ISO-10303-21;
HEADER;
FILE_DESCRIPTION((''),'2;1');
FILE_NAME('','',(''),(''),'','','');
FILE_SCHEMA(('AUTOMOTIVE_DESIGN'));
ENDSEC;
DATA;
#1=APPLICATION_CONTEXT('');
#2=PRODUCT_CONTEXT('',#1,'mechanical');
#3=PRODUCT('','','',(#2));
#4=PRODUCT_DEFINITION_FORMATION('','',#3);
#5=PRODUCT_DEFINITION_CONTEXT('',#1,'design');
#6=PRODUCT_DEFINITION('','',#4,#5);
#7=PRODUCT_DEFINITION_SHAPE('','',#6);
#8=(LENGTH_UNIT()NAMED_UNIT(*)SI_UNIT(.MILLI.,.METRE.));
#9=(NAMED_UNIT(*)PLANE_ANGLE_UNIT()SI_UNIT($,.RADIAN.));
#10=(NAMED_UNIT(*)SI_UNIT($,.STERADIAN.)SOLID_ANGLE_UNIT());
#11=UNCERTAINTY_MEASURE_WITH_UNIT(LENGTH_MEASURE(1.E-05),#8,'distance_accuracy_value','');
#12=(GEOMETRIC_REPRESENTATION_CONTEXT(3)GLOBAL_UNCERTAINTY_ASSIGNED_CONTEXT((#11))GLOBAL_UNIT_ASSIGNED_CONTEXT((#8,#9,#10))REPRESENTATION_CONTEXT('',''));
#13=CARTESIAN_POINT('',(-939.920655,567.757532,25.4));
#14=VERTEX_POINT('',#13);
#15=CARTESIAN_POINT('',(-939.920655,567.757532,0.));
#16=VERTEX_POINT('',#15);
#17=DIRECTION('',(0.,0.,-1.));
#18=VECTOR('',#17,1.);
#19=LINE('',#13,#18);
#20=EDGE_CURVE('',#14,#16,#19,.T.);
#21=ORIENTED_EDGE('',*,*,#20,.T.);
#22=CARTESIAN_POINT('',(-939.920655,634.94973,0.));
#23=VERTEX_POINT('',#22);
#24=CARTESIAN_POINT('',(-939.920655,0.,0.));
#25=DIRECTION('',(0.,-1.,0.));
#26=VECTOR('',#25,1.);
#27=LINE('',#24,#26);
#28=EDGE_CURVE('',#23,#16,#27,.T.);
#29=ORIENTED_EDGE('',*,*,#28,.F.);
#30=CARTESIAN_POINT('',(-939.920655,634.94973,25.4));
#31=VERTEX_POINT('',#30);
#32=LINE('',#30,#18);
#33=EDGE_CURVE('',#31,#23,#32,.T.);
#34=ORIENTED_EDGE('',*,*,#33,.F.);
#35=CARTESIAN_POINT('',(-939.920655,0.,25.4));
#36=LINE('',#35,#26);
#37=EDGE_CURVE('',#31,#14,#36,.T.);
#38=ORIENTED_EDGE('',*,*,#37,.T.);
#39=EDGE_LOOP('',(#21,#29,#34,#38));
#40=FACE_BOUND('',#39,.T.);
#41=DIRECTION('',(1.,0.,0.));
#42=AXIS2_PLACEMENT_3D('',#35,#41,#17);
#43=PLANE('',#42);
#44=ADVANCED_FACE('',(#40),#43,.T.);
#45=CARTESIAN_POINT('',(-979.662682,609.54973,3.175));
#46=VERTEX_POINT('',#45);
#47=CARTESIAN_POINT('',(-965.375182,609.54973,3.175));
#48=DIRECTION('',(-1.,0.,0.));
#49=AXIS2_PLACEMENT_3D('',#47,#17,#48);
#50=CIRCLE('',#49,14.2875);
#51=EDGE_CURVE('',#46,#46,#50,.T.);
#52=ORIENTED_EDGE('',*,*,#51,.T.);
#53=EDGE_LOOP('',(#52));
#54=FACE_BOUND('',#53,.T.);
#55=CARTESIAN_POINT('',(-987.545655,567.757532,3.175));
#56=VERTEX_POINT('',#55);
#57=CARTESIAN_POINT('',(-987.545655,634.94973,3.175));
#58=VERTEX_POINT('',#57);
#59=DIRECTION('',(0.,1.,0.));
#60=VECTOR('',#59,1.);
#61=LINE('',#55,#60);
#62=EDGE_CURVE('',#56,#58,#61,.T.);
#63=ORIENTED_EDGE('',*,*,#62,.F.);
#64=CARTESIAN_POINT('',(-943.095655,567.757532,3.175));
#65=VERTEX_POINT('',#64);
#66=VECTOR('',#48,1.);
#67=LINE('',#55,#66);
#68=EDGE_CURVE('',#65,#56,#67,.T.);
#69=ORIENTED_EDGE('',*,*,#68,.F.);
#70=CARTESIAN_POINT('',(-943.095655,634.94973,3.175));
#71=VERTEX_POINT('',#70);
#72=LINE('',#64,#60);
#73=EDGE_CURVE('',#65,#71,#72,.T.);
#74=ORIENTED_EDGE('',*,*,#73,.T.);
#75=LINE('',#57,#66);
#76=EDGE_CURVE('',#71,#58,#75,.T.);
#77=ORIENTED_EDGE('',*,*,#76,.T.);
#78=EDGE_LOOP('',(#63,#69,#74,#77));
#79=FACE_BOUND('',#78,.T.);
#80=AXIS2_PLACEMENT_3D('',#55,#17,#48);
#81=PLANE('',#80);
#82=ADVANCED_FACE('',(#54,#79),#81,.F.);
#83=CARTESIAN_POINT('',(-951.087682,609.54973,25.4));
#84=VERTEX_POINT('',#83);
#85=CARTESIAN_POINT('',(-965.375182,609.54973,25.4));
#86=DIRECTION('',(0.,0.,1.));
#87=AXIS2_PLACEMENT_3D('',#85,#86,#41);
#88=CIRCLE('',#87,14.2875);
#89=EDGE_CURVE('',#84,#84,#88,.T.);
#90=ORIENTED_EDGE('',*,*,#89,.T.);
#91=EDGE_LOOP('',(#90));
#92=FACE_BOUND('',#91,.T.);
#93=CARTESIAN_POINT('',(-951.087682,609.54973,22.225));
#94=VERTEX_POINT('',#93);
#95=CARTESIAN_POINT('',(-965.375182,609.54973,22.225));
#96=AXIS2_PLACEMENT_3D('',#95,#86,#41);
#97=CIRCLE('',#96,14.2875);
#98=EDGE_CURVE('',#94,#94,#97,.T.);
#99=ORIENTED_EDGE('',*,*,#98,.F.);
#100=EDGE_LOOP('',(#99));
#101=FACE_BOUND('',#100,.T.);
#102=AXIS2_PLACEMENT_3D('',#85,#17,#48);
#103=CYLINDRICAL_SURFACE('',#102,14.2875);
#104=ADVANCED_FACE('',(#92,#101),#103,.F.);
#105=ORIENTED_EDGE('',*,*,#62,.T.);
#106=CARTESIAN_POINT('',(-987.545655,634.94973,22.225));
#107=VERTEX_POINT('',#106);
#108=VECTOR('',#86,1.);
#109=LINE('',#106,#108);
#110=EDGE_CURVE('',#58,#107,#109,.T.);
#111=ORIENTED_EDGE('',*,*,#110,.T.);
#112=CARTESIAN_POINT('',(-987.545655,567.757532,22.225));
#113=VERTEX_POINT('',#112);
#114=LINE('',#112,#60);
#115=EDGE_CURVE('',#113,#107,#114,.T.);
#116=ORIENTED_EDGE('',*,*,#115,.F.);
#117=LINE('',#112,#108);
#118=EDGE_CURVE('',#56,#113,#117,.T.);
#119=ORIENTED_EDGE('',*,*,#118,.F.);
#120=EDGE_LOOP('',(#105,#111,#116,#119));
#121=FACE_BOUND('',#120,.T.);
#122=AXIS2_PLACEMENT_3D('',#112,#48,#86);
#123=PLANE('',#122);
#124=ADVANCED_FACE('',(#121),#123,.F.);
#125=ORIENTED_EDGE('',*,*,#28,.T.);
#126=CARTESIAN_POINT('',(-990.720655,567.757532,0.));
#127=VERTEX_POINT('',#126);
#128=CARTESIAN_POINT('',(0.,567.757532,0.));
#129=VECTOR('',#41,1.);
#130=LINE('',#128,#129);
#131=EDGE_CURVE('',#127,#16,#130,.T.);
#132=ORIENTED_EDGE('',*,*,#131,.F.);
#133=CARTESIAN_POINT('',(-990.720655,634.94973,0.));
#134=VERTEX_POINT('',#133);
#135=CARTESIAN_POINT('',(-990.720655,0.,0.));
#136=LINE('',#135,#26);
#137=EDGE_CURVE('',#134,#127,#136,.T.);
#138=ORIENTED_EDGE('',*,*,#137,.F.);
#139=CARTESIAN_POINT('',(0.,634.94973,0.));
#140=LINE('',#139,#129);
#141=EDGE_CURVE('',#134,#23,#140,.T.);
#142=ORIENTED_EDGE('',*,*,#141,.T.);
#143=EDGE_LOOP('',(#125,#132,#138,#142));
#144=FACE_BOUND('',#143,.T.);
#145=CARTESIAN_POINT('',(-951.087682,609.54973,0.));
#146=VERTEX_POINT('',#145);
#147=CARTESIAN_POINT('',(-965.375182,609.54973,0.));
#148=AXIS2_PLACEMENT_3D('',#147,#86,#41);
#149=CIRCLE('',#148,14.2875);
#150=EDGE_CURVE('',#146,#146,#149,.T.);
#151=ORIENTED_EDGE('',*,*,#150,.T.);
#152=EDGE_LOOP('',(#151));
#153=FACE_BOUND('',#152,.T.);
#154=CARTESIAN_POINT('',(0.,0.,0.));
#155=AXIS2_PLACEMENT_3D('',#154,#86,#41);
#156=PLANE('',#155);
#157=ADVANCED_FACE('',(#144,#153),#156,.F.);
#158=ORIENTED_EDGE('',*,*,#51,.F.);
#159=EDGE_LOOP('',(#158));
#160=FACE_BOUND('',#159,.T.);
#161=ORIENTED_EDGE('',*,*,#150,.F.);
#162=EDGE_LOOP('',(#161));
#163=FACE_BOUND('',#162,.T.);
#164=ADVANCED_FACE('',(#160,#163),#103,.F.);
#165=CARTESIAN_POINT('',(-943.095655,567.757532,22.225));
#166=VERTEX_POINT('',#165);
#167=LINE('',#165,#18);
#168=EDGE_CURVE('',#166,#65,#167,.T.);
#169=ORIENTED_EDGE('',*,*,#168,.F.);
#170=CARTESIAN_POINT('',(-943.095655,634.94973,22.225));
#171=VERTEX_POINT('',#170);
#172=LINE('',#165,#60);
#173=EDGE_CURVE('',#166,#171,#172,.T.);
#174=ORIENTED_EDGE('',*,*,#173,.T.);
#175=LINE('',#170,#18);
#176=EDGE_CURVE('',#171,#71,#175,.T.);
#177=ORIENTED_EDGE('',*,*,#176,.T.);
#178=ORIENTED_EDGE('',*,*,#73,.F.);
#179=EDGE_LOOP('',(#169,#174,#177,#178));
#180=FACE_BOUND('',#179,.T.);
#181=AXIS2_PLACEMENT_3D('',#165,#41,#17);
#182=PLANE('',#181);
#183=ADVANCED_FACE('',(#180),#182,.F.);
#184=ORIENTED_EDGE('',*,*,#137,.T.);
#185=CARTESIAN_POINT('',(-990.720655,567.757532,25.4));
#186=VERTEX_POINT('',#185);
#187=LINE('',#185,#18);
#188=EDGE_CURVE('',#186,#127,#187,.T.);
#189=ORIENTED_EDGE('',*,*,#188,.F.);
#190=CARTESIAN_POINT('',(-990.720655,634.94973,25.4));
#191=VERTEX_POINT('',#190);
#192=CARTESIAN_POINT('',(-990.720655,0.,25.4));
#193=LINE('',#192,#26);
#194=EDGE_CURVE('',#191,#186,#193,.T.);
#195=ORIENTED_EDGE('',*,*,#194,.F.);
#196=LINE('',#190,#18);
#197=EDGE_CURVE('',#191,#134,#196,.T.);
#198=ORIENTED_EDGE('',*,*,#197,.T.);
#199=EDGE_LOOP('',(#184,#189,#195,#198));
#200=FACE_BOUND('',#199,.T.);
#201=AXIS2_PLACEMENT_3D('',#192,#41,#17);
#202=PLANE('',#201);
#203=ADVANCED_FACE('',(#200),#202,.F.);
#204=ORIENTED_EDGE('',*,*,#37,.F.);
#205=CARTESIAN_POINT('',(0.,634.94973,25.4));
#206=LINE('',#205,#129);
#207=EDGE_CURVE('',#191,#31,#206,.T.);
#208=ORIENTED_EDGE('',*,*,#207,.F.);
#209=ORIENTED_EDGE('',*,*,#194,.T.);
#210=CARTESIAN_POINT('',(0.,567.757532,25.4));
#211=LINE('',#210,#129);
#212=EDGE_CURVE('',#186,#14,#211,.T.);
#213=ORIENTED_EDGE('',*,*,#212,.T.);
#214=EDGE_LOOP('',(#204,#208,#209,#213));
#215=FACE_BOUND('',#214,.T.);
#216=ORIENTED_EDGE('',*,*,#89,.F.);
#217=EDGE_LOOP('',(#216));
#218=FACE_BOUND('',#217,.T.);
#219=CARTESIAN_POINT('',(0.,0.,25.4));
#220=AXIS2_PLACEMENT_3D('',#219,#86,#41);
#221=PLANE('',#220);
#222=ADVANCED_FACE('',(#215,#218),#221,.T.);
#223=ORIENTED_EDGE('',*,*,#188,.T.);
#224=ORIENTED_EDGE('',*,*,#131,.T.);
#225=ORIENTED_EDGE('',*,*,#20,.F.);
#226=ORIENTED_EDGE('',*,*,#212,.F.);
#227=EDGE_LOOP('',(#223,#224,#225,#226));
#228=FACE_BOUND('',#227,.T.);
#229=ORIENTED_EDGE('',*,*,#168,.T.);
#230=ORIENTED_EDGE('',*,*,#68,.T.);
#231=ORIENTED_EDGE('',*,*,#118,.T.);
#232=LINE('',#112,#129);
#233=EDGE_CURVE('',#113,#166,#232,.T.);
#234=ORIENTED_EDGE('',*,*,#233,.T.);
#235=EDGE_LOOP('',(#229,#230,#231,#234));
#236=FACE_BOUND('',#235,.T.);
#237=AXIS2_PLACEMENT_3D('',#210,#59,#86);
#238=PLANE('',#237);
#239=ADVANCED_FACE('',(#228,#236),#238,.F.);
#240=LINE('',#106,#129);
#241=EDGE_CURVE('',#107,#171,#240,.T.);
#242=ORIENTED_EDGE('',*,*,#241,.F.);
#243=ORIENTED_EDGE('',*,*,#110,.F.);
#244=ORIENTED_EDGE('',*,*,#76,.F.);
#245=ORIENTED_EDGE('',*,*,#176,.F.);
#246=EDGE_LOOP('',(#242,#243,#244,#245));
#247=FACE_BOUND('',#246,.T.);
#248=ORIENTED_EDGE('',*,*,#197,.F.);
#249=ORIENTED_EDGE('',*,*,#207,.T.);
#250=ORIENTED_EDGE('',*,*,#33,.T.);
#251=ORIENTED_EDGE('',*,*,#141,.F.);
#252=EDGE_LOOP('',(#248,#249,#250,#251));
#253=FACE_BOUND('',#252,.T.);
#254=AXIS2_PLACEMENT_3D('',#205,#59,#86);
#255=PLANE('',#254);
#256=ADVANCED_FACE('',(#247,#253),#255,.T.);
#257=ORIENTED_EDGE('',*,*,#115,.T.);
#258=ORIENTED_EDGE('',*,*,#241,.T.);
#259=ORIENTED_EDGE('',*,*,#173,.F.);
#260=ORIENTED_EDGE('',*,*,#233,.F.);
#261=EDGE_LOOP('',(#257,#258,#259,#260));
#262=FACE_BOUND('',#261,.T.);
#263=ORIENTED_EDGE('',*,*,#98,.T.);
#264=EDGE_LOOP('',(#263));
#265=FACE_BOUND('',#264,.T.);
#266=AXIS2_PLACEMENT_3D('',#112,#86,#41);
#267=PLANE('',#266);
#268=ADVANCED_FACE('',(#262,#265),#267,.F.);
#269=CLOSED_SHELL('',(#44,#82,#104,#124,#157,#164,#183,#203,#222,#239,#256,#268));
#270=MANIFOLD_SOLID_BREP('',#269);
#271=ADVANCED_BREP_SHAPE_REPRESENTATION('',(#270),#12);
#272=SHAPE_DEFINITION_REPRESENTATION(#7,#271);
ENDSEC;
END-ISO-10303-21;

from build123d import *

# Parameters (mm, degrees)
SKETCH1_W           = 50.8
SKETCH1_H           = 67.192198053
SKETCH1_R           = 14.2875
BOSS_EXTRUDE1_DEPTH = 25.4
SKETCH2_W           = 44.45
SKETCH2_H           = 19.05
CUT_EXTRUDE1_DEPTH  = 994.32138208


with BuildPart() as part:
    # Sketch1 → Boss-Extrude1 (new body)
    with BuildSketch(Plane.XY):
        with Locations((-965.320655189, 601.353631034)):
            Rectangle(SKETCH1_W, SKETCH1_H)
        with Locations((-965.375181631, 609.54973006)):
            Circle(SKETCH1_R, mode=Mode.SUBTRACT)
    extrude(amount=BOSS_EXTRUDE1_DEPTH)

    # Sketch2 → Cut-Extrude1 (cut, through all)
    with BuildSketch(Plane(origin=(0, 634.94973006, 0), x_dir=(1, 0, 0), z_dir=(0, 1, 0))):
        with Locations((-965.320655189, -12.7)):
            Rectangle(SKETCH2_W, SKETCH2_H)
    extrude(amount=-CUT_EXTRUDE1_DEPTH, mode=Mode.SUBTRACT)


solid = part.part
